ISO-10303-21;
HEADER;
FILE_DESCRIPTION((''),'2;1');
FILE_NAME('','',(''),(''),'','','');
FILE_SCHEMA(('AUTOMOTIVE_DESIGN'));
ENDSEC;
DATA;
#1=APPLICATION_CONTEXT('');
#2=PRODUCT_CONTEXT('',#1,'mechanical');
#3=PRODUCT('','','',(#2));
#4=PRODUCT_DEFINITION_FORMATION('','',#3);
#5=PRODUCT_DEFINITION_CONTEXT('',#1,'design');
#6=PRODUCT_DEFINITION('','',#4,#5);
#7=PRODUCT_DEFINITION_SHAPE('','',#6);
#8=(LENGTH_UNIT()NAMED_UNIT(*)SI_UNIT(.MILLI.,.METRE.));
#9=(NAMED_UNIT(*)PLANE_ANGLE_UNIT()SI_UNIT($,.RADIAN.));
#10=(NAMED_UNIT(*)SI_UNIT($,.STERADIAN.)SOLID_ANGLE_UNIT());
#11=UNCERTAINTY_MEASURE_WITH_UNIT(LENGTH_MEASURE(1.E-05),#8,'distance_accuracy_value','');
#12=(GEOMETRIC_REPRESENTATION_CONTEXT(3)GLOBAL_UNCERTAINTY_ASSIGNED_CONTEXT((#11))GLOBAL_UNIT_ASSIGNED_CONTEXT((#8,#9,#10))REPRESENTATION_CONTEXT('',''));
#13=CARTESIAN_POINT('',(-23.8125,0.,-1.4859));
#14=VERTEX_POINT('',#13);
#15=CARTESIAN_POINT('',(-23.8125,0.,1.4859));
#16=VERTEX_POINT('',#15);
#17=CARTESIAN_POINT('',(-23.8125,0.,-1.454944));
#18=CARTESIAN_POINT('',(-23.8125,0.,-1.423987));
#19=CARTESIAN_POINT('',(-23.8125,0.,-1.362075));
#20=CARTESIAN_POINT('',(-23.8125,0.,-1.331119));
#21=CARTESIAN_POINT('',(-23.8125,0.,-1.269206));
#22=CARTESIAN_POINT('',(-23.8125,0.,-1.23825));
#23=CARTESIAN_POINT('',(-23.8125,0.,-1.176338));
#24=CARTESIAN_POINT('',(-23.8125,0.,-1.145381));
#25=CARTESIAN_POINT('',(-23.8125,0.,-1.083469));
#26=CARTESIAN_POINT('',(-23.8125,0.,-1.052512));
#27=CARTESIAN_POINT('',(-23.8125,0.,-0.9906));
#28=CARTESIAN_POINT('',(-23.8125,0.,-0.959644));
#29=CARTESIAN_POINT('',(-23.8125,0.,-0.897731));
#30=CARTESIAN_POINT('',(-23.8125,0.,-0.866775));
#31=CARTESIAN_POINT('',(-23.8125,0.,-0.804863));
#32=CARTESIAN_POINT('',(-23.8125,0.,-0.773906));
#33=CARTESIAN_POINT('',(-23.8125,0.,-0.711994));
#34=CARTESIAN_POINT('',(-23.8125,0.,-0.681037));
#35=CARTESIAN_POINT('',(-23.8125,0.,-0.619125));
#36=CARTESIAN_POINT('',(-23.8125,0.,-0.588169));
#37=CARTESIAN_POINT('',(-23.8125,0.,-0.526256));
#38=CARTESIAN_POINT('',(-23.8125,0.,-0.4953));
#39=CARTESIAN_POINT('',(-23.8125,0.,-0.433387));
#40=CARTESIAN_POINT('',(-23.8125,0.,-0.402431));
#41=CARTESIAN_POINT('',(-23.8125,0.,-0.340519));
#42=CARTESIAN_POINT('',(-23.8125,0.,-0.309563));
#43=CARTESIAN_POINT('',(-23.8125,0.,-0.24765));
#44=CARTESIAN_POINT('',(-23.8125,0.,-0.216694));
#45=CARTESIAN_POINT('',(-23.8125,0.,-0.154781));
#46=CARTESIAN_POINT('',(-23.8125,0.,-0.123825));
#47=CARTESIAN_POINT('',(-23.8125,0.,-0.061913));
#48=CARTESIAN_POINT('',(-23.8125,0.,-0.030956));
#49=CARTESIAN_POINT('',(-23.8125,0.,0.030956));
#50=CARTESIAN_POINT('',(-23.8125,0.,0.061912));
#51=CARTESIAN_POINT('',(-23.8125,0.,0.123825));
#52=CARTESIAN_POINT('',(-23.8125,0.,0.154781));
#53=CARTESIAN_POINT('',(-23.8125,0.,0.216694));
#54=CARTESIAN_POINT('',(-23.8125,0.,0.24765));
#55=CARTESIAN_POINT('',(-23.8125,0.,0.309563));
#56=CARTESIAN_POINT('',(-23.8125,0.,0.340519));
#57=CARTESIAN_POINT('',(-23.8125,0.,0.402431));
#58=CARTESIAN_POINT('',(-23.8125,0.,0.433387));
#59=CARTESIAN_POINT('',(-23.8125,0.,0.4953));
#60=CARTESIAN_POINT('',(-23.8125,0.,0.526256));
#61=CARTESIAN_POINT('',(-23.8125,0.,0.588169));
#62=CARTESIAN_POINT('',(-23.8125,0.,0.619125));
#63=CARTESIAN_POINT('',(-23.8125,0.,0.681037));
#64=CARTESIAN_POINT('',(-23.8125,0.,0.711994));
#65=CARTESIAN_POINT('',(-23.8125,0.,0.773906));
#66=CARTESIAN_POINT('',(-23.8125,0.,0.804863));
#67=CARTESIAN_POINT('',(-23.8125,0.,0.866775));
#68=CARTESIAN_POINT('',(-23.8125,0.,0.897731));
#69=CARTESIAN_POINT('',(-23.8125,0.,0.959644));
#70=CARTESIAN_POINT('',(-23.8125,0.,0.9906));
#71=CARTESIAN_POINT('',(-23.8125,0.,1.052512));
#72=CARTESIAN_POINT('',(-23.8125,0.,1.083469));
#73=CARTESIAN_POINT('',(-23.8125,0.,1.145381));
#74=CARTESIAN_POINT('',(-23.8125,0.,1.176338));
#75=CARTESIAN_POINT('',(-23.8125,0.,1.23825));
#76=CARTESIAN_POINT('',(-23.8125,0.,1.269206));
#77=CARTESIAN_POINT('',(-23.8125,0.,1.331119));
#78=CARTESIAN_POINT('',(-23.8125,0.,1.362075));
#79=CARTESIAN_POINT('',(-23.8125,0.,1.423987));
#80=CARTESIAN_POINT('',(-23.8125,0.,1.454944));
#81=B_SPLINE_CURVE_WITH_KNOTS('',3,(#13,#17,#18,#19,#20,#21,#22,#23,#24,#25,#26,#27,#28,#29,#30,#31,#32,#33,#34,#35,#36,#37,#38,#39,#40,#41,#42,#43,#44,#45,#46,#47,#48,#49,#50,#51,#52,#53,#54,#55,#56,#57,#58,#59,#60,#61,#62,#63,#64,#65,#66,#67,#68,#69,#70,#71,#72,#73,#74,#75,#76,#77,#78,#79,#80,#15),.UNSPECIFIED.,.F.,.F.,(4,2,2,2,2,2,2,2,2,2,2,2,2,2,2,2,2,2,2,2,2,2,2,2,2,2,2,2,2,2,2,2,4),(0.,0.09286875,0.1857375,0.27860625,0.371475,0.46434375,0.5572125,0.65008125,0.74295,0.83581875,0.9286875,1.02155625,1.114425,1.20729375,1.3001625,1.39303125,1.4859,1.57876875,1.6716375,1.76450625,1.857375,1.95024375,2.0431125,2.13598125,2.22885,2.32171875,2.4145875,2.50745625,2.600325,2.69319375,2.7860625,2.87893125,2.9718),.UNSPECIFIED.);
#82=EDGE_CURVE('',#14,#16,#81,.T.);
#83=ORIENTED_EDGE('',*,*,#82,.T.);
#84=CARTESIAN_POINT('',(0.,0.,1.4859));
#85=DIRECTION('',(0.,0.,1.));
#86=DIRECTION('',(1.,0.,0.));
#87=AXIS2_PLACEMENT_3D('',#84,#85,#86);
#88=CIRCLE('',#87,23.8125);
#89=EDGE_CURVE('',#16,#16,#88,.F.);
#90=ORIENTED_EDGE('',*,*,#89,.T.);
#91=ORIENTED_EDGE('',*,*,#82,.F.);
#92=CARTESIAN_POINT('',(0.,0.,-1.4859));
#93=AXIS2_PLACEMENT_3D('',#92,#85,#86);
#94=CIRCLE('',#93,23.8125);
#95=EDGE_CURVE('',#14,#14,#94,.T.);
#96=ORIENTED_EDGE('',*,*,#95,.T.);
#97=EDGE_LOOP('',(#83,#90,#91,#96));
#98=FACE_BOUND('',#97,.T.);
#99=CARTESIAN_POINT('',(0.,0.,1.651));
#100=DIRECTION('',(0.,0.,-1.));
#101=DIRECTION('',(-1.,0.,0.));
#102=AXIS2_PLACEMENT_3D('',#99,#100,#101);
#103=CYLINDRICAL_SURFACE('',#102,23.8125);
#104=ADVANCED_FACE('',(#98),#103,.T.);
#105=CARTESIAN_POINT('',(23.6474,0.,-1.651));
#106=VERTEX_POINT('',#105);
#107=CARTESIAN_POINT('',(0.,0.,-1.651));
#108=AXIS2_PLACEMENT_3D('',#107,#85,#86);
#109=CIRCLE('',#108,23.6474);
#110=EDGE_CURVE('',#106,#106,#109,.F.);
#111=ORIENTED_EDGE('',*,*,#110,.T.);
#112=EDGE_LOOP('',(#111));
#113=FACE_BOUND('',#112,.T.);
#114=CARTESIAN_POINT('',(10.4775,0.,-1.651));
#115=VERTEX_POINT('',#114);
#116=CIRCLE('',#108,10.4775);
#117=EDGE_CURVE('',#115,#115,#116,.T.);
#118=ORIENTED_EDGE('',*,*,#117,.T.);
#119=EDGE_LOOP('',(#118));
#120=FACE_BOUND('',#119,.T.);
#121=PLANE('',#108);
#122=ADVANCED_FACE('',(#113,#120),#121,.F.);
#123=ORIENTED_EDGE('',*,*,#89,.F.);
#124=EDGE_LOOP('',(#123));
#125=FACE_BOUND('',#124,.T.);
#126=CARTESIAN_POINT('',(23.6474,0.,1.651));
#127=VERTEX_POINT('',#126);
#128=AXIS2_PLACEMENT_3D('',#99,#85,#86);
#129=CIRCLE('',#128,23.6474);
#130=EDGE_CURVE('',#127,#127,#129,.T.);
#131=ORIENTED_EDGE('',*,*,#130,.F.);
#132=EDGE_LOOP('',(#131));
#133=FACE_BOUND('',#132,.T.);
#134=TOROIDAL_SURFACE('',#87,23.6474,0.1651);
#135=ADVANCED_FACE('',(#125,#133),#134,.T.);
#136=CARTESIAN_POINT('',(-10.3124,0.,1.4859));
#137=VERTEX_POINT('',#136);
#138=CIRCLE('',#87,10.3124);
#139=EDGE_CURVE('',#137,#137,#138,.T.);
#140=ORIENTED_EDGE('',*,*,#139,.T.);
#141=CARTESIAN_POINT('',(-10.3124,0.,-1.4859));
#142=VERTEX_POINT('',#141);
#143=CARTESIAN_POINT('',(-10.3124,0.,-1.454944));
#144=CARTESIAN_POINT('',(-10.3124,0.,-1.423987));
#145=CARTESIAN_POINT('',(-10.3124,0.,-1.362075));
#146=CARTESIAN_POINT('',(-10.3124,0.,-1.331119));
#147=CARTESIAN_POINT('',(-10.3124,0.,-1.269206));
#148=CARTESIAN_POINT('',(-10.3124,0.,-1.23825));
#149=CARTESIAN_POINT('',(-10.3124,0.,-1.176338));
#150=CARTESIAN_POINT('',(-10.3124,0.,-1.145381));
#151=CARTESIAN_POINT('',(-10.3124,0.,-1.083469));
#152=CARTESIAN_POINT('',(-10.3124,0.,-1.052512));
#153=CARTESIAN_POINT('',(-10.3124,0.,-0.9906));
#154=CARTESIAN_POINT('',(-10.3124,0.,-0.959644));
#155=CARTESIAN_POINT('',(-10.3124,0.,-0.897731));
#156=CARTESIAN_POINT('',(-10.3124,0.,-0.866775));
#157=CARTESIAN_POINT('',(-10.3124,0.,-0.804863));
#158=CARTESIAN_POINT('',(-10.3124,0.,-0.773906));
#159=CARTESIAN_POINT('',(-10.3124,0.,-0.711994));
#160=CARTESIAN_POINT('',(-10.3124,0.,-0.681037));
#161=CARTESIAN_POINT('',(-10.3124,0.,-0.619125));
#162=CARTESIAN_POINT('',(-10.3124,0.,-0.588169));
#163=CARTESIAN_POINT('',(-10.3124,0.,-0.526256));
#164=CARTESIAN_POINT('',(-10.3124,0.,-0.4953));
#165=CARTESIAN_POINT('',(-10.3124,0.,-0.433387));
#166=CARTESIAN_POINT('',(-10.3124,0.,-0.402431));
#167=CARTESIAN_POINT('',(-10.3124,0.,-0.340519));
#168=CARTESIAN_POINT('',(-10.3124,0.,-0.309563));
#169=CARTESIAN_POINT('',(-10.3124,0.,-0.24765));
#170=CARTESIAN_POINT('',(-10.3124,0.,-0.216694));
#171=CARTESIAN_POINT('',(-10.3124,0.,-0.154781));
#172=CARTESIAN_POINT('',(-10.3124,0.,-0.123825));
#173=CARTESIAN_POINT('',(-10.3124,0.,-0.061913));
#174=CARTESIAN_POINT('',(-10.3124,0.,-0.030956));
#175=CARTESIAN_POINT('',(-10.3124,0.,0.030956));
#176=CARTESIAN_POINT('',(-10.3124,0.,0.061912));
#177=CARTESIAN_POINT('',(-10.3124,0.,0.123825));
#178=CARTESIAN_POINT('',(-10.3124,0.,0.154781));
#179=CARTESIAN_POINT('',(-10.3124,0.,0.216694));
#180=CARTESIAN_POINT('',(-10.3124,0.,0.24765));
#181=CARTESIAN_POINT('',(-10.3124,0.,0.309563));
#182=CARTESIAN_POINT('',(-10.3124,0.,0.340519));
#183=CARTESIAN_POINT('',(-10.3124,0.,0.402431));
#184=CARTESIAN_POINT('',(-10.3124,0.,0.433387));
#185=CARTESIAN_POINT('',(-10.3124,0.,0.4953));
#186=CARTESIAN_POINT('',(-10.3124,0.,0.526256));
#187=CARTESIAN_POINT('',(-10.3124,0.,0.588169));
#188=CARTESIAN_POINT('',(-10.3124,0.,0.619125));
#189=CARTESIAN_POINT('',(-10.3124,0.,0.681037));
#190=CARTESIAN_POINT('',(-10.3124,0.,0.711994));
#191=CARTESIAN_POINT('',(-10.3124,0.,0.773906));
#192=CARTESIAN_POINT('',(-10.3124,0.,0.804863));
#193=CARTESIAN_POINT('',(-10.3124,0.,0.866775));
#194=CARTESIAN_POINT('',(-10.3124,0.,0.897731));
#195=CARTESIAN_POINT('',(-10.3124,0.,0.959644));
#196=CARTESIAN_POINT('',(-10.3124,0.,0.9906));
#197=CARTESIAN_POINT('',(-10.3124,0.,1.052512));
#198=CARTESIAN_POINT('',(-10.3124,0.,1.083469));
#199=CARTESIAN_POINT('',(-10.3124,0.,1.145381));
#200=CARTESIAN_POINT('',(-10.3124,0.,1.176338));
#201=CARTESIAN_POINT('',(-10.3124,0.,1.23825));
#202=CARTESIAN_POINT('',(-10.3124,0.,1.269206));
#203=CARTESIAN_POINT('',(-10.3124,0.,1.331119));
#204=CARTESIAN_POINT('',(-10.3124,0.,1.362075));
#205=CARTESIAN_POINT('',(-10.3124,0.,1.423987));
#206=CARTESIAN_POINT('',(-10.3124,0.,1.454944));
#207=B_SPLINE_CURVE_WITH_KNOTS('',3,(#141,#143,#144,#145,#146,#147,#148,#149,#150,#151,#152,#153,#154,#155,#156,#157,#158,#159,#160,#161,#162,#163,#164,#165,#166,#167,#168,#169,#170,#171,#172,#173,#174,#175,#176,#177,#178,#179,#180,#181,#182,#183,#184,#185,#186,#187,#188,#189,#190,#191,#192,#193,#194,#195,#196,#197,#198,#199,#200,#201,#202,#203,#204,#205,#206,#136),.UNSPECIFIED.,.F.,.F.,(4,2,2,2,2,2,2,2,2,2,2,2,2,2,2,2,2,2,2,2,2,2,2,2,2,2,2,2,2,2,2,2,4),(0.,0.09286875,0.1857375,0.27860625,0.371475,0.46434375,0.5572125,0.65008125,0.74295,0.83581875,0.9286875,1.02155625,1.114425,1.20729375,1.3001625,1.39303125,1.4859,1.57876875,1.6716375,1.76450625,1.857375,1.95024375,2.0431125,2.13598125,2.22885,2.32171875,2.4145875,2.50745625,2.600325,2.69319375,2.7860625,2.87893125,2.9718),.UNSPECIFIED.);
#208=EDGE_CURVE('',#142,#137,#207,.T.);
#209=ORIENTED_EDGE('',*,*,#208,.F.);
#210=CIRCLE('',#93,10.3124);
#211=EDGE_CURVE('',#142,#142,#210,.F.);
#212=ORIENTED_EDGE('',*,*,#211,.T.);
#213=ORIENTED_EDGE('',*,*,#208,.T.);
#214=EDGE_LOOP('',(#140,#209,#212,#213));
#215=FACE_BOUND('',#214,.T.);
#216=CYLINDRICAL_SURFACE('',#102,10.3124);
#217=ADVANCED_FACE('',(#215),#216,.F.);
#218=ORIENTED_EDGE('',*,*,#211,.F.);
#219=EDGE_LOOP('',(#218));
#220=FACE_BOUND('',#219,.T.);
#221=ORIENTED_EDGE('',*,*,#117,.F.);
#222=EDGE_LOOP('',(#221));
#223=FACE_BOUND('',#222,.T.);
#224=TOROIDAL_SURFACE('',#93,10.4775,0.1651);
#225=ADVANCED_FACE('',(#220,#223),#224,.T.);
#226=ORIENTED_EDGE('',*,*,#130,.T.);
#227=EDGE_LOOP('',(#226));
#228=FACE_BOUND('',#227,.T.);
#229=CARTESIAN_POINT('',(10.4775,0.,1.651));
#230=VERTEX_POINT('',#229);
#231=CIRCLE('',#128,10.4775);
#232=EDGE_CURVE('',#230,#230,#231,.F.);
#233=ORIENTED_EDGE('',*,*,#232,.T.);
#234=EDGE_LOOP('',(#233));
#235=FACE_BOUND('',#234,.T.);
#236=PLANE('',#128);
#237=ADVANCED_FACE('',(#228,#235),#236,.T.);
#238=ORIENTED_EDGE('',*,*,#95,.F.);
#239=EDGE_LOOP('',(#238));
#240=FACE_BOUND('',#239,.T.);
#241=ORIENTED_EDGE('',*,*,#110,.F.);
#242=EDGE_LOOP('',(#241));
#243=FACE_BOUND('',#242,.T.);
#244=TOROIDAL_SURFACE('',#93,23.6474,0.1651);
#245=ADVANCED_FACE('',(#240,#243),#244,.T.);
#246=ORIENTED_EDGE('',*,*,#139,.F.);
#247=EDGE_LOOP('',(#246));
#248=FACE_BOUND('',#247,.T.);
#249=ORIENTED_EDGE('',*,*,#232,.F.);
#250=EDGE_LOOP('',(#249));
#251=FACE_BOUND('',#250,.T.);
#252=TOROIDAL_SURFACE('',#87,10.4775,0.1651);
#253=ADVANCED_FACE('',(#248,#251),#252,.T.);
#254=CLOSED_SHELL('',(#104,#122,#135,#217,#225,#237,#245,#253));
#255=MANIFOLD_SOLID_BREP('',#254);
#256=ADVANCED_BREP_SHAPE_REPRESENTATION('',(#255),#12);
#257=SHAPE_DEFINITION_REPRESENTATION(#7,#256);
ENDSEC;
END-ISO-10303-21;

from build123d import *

# Parameters (mm, degrees)
SKETCH3_R           = 23.8125
SKETCH3_R_2         = 10.3124
BOSS_EXTRUDE1_DEPTH = 1.651
FILLET1_R           = 0.1651


with BuildPart() as part:
    # Sketch3 → Boss-Extrude1 (new, symmetric)
    with BuildSketch(Plane.XY):
        with Locations(Location((0, 0, 0), (0, 0, 180))):
            Circle(SKETCH3_R)
        with Locations(Location((0, 0, 0), (0, 0, 180))):
            Circle(SKETCH3_R_2, mode=Mode.SUBTRACT)
    extrude(amount=BOSS_EXTRUDE1_DEPTH, both=True)

    # Fillet1
    fillet1_edges = [part.edges().sort_by_distance(p)[0] for p in [
        (23.8125, 0, -1.651),
        (23.8125, 0, 1.651),
        (10.3124, 0, -1.651),
        (10.3124, 0, 1.651),
    ]]
    fillet(fillet1_edges, radius=FILLET1_R)


solid = part.part
